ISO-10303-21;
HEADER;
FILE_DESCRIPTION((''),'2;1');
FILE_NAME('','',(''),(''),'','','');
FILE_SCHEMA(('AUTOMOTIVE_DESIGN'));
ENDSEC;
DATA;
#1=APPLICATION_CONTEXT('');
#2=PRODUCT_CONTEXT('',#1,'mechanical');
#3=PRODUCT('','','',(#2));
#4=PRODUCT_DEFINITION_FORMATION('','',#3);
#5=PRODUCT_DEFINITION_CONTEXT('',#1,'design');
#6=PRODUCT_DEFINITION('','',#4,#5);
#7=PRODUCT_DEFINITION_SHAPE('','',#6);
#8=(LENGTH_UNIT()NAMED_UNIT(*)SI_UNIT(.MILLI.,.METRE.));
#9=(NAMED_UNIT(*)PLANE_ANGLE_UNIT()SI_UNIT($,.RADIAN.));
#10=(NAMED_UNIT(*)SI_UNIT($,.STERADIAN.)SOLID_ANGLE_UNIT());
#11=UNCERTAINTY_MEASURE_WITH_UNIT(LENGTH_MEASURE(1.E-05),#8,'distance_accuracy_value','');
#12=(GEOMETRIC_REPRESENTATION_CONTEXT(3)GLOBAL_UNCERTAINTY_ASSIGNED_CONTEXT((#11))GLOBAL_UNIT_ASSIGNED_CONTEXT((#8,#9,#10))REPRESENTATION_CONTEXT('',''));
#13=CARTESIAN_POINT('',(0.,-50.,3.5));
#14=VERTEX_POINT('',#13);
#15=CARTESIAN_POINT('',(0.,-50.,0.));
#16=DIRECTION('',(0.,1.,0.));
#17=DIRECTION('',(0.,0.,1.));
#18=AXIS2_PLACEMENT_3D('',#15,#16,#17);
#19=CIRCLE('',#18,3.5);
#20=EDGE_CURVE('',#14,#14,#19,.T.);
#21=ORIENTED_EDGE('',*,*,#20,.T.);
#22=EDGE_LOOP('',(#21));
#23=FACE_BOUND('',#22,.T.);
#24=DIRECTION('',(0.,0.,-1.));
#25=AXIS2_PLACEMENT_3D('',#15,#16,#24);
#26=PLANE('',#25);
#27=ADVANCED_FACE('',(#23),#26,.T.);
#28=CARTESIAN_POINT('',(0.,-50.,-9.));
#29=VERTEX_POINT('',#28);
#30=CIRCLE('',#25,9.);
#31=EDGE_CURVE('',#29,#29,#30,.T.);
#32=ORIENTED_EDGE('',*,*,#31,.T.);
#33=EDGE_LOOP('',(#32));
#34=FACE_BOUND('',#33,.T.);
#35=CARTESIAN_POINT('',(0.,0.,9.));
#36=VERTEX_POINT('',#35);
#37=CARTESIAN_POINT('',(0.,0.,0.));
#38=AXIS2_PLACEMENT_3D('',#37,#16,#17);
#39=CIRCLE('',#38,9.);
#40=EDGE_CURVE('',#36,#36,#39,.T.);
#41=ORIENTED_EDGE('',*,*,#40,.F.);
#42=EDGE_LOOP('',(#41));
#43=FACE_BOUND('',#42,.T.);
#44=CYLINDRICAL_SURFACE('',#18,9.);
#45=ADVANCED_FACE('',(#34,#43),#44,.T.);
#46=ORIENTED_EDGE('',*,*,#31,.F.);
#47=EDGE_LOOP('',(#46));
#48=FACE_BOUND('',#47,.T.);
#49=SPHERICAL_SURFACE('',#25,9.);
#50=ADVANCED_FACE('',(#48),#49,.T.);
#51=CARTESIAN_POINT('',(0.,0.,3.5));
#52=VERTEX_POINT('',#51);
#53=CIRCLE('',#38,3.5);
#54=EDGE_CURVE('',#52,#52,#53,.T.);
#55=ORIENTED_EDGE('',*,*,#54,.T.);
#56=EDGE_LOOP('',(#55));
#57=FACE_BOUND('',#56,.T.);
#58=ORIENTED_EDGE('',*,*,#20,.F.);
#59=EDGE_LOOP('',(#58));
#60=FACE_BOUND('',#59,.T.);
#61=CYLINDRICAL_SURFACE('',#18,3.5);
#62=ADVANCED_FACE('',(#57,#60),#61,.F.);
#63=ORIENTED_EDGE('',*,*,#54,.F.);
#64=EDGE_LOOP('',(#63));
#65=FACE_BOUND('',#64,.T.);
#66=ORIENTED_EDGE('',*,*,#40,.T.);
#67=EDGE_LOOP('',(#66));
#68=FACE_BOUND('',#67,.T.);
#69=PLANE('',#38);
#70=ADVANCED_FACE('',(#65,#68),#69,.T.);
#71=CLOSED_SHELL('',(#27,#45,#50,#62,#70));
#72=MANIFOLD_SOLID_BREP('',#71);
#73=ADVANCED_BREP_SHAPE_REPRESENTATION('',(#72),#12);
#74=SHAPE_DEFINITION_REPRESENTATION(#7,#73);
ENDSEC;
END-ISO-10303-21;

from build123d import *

# Parameters (mm, degrees)
SKETCH1_R           = 9
SKETCH1_R_2         = 3.5
BOSS_EXTRUDE1_DEPTH = 50
REVOLVE1_ANGLE      = 180


with BuildPart() as part:
    # Sketch1 → Boss-Extrude1 (new body)
    with BuildSketch(Plane(origin=(0, 0, 0), x_dir=(1, 0, 0), z_dir=(0, 1, 0))):
        with Locations(Location((0, 0, 0), (0, 0, 270))):
            Circle(SKETCH1_R)
        with Locations(Location((0, 0, 0), (0, 0, 270))):
            Circle(SKETCH1_R_2, mode=Mode.SUBTRACT)
    extrude(amount=-BOSS_EXTRUDE1_DEPTH)

    # Sketch2 → Revolve1 (revolve)
    with BuildSketch(Plane(origin=(0, -50, 0), x_dir=(-1, 0, 0), z_dir=(0, -1, 0))):
        with BuildLine():
            Line((0, -9), (0, 9))
            ThreePointArc((0, 9), (-9, 0), (0, -9))
        make_face()
    revolve(axis=Axis((0, -50, 9), (0, 0, -1)), revolution_arc=REVOLVE1_ANGLE)


solid = part.part
